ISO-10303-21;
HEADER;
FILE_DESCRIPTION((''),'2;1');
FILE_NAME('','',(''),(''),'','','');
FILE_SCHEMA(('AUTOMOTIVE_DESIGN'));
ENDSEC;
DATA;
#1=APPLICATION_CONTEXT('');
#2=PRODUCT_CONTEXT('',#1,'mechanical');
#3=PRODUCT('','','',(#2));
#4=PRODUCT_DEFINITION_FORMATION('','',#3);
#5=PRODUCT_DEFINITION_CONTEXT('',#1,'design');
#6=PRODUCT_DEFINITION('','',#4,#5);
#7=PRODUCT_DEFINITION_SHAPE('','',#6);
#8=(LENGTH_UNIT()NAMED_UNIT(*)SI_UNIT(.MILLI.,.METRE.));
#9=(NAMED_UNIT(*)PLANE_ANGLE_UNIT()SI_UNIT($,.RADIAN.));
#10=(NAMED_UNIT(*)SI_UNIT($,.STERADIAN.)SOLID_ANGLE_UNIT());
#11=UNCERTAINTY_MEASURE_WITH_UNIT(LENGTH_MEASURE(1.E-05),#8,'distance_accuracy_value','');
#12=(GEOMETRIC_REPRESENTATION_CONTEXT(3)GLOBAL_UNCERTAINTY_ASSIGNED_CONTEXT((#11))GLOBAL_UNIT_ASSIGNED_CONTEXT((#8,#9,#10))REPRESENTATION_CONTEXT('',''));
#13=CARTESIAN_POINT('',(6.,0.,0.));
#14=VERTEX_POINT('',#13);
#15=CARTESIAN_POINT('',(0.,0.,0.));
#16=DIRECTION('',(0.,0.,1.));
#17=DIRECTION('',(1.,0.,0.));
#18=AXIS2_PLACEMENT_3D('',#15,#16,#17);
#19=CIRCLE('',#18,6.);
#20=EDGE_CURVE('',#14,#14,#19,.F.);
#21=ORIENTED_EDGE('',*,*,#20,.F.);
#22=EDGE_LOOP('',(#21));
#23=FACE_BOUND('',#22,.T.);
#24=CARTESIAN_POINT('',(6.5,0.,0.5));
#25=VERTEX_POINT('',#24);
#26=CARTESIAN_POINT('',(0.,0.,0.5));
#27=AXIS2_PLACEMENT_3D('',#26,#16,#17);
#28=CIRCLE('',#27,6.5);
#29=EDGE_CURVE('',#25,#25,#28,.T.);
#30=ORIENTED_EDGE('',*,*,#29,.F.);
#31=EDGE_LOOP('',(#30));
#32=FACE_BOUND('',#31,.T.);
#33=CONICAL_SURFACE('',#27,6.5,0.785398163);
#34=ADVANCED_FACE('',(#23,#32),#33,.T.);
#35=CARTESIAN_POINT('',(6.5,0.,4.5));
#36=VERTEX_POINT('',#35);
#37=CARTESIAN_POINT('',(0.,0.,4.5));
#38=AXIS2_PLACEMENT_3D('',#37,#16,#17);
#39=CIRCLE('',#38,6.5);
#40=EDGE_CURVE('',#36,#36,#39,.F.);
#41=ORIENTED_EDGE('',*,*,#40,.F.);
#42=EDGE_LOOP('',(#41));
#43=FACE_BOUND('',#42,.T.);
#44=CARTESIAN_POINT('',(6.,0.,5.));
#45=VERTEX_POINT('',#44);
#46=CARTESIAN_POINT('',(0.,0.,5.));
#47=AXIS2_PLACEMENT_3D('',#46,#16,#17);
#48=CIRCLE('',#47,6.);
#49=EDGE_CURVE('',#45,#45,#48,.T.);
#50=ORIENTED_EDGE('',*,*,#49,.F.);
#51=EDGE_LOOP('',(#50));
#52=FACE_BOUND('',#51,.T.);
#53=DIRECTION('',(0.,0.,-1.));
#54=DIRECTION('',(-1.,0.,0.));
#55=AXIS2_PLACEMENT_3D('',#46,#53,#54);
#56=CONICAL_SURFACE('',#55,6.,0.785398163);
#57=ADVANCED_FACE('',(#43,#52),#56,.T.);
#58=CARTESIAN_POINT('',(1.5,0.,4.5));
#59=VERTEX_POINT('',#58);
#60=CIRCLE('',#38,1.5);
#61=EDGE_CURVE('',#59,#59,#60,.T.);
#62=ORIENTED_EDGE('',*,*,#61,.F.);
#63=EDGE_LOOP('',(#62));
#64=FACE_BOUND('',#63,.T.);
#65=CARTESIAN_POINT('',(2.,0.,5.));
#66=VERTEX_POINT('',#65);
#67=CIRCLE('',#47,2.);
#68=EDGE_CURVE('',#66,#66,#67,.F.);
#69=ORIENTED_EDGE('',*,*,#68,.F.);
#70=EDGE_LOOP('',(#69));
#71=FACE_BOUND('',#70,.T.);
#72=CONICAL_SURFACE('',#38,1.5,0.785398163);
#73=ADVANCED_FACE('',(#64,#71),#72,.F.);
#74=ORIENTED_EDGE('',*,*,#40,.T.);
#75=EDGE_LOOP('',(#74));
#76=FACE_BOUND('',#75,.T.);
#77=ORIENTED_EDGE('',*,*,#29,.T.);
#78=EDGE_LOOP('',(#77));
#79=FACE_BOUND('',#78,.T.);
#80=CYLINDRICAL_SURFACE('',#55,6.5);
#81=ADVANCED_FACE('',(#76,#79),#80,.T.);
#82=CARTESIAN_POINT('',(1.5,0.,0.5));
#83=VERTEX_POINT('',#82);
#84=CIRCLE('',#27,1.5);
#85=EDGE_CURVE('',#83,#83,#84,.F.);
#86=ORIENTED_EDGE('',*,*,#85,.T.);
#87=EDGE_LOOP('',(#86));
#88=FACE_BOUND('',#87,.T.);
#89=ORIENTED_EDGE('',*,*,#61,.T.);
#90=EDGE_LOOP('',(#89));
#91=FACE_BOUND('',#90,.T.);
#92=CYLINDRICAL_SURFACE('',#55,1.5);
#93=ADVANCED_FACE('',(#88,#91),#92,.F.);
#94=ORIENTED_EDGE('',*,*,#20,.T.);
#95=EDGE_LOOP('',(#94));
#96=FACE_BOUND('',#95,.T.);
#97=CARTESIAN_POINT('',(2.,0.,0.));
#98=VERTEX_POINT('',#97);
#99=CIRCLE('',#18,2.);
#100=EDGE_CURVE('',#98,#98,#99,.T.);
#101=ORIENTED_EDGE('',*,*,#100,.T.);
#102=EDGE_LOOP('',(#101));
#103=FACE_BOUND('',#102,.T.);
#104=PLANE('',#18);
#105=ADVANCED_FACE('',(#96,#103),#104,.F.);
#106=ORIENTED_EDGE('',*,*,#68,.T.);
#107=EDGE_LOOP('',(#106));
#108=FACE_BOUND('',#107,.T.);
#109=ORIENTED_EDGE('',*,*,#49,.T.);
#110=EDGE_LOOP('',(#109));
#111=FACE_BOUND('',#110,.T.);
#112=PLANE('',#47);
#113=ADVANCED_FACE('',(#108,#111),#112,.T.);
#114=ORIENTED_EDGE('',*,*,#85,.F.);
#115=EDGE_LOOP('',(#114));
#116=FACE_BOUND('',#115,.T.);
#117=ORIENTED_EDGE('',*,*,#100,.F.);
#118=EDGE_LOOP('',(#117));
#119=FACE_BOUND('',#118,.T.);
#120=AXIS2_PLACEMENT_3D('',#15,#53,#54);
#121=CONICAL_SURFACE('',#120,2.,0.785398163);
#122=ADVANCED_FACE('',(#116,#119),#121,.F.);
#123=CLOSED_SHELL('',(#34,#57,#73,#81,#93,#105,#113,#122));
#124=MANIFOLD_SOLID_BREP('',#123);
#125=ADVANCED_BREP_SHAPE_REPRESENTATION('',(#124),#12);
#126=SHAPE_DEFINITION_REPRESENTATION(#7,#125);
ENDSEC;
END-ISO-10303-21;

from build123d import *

# Parameters (mm, degrees)
ESQUISSE1_R        = 6.5
ESQUISSE1_R_2      = 1.5
BOSS_EXTRU_1_DEPTH = 5
CHANFREIN1_SIZE    = 0.5


with BuildPart() as part:
    # Esquisse1 → Boss.-Extru.1 (new body)
    with BuildSketch(Plane.XY):
        Circle(ESQUISSE1_R)
        Circle(ESQUISSE1_R_2, mode=Mode.SUBTRACT)
    extrude(amount=BOSS_EXTRU_1_DEPTH)

    # Chanfrein1
    chanfrein1_edges = [part.edges().sort_by_distance(p)[0] for p in [
        (-6.5, 0, 0),
        (-6.5, 0, 5),
        (-1.5, 0, 0),
        (-1.5, 0, 5),
    ]]
    chamfer(chanfrein1_edges, length=CHANFREIN1_SIZE)


solid = part.part
